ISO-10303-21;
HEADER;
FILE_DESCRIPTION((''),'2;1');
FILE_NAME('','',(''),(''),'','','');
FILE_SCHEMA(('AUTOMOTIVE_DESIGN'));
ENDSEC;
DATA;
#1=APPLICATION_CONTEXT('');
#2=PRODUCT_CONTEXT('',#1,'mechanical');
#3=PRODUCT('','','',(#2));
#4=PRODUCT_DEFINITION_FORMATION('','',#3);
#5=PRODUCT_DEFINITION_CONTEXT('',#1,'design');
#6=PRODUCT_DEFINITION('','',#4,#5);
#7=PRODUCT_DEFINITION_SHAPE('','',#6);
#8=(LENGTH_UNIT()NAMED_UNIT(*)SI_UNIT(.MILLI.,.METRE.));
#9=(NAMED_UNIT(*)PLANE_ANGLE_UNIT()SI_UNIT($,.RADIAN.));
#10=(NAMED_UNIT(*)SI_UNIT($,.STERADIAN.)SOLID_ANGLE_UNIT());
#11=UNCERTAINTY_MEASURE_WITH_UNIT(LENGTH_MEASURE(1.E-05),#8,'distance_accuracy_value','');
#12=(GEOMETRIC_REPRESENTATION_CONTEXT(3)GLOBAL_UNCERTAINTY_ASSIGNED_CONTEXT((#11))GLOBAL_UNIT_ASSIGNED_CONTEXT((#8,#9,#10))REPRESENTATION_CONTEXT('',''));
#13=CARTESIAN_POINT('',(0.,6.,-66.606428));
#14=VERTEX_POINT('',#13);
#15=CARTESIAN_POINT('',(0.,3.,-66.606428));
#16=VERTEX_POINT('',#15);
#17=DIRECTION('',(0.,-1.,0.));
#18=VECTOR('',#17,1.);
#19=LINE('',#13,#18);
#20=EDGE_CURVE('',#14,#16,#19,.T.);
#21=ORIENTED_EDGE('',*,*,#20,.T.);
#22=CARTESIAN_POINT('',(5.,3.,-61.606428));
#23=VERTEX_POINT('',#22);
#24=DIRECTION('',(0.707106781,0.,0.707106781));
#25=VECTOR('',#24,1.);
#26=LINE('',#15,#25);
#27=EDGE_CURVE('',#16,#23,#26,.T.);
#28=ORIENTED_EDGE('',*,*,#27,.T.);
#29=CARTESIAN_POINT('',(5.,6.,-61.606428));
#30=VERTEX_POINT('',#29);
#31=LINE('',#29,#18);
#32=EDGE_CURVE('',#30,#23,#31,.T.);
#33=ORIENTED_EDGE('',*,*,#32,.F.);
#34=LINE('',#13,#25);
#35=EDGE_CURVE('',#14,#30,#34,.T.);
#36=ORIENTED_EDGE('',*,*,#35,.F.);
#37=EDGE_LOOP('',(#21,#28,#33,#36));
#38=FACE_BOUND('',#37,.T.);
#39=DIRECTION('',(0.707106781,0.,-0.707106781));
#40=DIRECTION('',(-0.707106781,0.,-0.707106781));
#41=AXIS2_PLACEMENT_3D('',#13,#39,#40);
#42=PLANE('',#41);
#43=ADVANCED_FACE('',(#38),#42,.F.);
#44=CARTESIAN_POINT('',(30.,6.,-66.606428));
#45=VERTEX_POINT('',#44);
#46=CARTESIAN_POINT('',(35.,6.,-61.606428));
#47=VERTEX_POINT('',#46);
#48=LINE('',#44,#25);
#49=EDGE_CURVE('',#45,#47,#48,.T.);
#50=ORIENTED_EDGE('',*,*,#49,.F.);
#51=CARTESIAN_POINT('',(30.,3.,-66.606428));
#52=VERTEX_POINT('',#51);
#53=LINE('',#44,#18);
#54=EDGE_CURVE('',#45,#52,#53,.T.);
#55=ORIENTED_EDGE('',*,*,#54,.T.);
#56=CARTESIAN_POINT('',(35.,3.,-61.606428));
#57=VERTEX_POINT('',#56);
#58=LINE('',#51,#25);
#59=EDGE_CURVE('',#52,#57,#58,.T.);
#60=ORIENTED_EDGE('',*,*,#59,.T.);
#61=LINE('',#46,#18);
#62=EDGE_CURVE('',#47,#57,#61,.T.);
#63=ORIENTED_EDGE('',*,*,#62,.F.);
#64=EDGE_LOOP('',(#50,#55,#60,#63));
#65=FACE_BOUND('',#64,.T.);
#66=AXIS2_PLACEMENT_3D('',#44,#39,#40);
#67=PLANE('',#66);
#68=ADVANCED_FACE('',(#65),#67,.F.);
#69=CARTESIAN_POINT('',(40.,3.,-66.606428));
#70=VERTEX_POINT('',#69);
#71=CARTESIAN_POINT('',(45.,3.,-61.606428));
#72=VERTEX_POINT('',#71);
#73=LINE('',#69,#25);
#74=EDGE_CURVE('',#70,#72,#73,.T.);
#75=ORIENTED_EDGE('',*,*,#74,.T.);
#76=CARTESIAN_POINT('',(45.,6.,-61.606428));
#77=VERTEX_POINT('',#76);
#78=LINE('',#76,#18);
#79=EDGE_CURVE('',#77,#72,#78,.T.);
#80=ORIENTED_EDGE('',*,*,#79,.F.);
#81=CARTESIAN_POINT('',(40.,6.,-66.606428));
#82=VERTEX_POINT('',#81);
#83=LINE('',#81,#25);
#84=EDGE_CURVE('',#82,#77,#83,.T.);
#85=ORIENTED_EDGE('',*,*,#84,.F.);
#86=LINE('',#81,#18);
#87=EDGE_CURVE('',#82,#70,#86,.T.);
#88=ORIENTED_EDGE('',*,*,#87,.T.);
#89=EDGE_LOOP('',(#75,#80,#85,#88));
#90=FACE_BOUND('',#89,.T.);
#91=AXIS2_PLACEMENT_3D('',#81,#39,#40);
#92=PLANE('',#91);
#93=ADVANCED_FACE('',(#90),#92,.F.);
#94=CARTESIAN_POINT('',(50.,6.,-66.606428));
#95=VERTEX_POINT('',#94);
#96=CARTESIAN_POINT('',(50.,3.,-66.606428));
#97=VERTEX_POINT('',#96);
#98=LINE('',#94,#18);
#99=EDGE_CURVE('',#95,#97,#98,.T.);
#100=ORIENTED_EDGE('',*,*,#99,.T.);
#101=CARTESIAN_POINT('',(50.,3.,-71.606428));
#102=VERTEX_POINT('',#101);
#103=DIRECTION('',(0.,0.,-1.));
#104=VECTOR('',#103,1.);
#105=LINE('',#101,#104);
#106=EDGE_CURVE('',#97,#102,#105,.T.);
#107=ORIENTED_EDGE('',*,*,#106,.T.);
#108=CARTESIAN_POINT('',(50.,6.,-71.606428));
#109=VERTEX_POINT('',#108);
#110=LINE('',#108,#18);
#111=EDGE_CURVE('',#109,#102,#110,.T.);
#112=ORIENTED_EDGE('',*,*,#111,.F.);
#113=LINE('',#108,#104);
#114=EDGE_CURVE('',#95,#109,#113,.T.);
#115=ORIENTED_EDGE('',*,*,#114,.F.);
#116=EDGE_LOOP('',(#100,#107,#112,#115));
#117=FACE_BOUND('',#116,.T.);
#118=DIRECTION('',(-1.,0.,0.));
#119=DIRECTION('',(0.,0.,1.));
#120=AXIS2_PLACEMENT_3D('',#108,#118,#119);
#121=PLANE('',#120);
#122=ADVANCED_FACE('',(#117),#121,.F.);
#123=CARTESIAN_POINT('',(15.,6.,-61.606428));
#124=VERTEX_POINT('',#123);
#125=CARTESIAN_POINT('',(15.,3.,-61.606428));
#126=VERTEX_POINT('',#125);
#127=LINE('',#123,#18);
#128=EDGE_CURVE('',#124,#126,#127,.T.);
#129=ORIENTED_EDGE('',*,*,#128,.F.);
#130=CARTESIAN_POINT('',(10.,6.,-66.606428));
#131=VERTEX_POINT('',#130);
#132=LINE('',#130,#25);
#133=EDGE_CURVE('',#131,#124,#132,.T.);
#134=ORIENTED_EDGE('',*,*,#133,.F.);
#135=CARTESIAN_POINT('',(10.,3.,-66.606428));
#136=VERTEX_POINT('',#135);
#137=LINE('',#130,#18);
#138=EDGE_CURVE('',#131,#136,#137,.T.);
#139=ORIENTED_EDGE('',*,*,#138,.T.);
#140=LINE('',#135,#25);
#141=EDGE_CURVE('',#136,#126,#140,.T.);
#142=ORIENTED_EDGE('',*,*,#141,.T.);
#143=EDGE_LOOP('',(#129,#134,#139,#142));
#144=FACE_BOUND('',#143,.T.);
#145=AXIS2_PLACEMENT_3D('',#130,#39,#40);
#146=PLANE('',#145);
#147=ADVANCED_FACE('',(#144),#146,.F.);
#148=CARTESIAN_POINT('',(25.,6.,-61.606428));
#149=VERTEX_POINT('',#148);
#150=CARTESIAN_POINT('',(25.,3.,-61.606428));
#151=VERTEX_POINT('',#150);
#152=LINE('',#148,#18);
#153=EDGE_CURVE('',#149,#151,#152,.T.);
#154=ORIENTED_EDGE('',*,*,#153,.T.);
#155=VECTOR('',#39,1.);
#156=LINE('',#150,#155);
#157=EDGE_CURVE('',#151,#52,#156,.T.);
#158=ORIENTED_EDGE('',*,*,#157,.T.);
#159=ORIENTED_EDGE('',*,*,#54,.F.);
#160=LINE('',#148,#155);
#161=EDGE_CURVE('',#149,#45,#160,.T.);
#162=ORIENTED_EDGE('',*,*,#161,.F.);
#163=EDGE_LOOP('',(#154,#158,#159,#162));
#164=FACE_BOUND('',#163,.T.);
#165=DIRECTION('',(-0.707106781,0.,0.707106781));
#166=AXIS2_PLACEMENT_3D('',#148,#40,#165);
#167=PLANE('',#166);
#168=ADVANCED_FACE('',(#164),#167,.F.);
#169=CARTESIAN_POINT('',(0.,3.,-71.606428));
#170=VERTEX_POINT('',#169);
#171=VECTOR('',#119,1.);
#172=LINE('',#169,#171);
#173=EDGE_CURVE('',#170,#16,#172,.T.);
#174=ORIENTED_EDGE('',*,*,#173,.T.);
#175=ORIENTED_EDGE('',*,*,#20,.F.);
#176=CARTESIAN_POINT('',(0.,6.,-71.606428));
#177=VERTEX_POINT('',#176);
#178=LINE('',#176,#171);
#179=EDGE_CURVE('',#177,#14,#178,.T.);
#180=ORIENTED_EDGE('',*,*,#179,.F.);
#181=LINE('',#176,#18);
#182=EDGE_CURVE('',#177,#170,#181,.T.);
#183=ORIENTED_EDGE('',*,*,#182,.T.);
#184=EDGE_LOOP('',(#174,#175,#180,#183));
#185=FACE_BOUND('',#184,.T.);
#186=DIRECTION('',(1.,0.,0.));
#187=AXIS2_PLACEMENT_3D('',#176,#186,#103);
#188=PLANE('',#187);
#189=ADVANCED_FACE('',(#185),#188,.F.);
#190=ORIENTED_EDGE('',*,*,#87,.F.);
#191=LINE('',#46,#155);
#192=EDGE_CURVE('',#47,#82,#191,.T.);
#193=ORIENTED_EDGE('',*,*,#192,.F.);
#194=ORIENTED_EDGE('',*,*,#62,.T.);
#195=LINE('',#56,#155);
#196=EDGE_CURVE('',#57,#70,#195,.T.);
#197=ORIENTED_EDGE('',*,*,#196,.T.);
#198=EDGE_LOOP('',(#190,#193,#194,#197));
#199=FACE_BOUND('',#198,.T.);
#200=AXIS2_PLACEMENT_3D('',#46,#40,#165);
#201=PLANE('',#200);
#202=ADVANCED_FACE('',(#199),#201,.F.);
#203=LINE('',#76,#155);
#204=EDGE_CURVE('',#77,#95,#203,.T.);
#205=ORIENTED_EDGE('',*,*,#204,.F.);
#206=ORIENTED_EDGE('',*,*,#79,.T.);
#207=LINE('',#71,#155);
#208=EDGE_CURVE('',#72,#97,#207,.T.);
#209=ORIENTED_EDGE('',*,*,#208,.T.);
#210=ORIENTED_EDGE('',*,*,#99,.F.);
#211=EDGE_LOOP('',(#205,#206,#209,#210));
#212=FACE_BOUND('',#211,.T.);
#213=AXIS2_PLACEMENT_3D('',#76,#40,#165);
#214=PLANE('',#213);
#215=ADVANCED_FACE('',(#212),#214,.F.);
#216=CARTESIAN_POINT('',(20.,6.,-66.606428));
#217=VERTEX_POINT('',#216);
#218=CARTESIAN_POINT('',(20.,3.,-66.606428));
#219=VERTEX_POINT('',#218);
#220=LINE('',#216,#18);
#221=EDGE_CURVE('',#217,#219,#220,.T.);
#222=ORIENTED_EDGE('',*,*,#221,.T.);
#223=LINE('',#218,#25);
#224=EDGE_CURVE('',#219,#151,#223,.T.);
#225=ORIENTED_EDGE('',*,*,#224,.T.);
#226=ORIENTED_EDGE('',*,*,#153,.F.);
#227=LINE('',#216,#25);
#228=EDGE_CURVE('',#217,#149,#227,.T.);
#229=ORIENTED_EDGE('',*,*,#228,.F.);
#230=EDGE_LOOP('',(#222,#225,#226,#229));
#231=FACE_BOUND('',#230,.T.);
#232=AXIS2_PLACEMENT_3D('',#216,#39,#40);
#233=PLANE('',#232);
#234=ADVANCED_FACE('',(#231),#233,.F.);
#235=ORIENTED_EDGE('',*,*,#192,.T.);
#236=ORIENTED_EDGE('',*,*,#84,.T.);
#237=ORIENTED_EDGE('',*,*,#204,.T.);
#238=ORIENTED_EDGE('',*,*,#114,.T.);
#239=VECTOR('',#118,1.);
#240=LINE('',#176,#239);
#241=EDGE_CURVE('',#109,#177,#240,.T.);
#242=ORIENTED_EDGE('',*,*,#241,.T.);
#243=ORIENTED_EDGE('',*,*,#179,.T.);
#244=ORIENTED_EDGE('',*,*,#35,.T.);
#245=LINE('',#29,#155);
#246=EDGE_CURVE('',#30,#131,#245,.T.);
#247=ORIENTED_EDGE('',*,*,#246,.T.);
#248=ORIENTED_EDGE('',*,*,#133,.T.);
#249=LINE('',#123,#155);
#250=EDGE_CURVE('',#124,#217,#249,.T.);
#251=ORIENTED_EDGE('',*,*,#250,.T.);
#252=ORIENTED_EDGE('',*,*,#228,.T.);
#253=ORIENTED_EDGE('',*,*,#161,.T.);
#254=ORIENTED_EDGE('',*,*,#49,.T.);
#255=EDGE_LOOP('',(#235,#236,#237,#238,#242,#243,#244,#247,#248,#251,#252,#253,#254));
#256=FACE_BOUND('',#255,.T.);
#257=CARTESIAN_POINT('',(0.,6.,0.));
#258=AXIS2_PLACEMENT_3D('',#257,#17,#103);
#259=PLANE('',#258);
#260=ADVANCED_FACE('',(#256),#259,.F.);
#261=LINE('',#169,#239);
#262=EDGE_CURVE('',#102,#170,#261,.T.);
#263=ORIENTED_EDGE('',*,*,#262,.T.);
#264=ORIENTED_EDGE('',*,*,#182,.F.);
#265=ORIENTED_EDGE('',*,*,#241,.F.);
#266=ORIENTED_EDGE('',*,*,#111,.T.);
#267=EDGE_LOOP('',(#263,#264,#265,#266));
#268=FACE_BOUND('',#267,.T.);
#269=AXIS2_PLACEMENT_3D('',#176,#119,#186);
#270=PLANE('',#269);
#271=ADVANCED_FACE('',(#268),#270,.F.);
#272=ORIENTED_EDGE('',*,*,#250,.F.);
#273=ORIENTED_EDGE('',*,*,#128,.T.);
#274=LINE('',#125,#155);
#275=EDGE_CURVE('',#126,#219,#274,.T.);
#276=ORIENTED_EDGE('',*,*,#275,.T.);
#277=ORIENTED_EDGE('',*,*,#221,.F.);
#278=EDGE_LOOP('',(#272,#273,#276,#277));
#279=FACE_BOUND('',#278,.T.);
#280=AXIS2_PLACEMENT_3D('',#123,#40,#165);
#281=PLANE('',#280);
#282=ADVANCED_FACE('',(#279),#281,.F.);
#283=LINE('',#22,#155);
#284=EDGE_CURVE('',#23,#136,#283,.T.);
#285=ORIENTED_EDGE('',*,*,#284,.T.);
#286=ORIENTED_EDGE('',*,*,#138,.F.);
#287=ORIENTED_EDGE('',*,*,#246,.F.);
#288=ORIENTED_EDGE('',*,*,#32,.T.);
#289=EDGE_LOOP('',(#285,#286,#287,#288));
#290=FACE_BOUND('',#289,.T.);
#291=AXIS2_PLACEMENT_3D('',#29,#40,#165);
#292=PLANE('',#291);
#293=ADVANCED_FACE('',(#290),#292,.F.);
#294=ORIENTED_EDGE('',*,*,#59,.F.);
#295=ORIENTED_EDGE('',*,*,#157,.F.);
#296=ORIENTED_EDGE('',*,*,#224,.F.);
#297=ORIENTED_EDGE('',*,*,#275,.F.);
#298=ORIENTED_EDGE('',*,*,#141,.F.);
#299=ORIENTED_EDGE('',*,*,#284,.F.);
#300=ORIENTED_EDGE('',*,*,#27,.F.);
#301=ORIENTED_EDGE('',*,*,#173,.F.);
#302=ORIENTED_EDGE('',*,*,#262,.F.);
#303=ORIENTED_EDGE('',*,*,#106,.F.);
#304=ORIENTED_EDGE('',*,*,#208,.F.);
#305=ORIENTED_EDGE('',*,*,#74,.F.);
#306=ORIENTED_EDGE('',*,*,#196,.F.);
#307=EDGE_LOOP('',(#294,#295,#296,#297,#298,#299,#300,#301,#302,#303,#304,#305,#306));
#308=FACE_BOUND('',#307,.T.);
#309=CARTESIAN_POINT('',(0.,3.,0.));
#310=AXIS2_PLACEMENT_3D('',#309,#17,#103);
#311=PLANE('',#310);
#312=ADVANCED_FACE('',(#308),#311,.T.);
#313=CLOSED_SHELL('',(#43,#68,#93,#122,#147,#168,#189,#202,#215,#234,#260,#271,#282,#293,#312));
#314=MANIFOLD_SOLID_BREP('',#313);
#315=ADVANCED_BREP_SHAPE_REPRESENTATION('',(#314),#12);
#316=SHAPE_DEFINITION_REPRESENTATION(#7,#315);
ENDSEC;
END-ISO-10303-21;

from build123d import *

# Parameters (mm, degrees)
BOSS_EXTRUDE1_DEPTH = 3


with BuildPart() as part:
    # Sketch1 → Boss-Extrude1 (new body)
    with BuildSketch(Plane(origin=(0, 3, 0), x_dir=(1, 0, 0), z_dir=(0, 1, 0))):
        Polygon((0, 71.606428038), (0, 66.606428038), (5, 61.606428038), (10, 66.606428038), (15, 61.606428038), (20, 66.606428038), (25, 61.606428038), (30, 66.606428038), (35, 61.606428038), (40, 66.606428038), (45, 61.606428038), (50, 66.606428038), (50, 71.606428038), align=None)
    extrude(amount=BOSS_EXTRUDE1_DEPTH)


solid = part.part
